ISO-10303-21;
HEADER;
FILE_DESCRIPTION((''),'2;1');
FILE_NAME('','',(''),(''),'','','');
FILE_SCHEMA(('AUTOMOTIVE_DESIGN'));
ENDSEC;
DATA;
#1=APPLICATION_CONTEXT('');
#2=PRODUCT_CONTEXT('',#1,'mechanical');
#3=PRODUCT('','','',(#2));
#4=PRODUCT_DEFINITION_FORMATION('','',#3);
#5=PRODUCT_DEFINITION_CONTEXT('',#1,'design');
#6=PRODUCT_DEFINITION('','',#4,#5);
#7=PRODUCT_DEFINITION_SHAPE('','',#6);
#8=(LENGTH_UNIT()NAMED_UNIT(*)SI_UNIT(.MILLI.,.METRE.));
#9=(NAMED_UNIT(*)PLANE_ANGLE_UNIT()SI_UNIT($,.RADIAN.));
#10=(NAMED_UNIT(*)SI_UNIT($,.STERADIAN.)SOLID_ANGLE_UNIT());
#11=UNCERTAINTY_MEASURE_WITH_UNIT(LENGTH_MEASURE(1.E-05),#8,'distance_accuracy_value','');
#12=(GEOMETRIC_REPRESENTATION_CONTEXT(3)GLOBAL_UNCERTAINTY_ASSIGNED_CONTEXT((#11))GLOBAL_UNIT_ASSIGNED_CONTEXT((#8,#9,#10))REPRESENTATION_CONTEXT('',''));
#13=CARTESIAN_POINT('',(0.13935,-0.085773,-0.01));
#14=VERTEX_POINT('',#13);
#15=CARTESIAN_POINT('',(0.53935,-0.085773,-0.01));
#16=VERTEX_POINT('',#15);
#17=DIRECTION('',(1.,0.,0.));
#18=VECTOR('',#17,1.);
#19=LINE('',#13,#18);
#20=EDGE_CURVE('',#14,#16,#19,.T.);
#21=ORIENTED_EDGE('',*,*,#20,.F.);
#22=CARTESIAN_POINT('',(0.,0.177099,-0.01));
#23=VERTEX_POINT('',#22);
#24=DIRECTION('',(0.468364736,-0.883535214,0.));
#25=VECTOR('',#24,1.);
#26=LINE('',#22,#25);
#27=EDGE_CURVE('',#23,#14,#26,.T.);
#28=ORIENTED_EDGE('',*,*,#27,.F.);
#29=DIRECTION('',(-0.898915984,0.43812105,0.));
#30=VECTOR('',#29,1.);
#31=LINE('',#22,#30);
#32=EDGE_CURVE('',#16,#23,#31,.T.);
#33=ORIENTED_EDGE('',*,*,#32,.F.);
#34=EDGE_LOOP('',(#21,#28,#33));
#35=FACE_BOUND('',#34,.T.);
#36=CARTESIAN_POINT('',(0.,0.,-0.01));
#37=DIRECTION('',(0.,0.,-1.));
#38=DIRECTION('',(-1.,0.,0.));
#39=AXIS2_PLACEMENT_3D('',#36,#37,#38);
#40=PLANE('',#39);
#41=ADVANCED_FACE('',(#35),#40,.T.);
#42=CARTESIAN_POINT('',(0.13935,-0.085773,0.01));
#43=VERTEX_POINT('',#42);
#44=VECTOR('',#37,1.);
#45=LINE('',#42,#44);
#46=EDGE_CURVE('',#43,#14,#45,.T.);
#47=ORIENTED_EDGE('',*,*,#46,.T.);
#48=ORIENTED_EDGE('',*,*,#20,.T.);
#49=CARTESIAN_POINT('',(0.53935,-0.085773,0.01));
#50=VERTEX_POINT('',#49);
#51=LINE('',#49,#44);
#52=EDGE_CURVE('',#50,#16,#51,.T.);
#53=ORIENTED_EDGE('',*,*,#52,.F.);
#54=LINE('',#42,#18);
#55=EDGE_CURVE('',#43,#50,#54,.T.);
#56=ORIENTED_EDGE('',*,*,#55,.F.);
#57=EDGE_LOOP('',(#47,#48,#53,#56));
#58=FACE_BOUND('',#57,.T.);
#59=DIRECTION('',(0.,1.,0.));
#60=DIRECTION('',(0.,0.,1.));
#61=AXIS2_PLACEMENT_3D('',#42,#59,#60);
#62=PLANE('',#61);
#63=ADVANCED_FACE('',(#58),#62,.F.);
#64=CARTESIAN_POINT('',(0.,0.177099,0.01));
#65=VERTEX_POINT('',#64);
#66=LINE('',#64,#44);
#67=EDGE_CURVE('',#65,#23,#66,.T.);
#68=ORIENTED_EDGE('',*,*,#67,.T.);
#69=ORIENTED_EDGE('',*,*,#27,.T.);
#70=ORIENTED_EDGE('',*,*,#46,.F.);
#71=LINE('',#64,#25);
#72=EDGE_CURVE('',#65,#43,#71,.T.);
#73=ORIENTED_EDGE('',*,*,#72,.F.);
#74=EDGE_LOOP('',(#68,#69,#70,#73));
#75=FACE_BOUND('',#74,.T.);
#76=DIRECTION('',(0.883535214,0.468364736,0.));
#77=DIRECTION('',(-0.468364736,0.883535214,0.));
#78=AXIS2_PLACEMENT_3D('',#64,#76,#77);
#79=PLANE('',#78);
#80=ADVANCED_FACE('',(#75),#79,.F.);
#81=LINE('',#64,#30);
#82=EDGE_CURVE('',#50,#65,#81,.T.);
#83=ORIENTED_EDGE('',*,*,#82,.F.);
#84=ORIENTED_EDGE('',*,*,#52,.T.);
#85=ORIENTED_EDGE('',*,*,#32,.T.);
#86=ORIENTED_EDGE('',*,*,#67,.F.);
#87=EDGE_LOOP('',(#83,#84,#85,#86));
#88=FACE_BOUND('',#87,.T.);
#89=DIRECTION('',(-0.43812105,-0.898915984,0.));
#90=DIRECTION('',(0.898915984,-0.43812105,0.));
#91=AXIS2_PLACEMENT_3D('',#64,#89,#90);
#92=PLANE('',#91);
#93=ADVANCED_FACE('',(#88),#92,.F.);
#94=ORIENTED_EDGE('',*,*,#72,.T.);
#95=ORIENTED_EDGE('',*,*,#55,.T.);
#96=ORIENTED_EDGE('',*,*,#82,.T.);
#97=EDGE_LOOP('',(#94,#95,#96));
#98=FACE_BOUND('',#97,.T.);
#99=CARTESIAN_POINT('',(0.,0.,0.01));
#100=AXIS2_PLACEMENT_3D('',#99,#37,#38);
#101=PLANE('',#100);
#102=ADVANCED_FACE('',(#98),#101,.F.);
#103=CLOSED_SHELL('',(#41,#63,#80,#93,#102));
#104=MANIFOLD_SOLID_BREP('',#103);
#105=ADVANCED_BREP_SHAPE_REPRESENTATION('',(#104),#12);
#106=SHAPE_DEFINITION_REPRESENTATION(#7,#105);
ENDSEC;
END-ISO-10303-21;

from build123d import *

# Parameters (mm, degrees)
BOSS_EXTRUDE1_DEPTH = 0.01


with BuildPart() as part:
    # Sketch2 → Boss-Extrude1 (new, symmetric)
    with BuildSketch(Plane.XY):
        Polygon((0, 0.177099348), (0.13934959, -0.085773282), (0.53934959, -0.085773282), align=None)
    extrude(amount=BOSS_EXTRUDE1_DEPTH, both=True)


solid = part.part
